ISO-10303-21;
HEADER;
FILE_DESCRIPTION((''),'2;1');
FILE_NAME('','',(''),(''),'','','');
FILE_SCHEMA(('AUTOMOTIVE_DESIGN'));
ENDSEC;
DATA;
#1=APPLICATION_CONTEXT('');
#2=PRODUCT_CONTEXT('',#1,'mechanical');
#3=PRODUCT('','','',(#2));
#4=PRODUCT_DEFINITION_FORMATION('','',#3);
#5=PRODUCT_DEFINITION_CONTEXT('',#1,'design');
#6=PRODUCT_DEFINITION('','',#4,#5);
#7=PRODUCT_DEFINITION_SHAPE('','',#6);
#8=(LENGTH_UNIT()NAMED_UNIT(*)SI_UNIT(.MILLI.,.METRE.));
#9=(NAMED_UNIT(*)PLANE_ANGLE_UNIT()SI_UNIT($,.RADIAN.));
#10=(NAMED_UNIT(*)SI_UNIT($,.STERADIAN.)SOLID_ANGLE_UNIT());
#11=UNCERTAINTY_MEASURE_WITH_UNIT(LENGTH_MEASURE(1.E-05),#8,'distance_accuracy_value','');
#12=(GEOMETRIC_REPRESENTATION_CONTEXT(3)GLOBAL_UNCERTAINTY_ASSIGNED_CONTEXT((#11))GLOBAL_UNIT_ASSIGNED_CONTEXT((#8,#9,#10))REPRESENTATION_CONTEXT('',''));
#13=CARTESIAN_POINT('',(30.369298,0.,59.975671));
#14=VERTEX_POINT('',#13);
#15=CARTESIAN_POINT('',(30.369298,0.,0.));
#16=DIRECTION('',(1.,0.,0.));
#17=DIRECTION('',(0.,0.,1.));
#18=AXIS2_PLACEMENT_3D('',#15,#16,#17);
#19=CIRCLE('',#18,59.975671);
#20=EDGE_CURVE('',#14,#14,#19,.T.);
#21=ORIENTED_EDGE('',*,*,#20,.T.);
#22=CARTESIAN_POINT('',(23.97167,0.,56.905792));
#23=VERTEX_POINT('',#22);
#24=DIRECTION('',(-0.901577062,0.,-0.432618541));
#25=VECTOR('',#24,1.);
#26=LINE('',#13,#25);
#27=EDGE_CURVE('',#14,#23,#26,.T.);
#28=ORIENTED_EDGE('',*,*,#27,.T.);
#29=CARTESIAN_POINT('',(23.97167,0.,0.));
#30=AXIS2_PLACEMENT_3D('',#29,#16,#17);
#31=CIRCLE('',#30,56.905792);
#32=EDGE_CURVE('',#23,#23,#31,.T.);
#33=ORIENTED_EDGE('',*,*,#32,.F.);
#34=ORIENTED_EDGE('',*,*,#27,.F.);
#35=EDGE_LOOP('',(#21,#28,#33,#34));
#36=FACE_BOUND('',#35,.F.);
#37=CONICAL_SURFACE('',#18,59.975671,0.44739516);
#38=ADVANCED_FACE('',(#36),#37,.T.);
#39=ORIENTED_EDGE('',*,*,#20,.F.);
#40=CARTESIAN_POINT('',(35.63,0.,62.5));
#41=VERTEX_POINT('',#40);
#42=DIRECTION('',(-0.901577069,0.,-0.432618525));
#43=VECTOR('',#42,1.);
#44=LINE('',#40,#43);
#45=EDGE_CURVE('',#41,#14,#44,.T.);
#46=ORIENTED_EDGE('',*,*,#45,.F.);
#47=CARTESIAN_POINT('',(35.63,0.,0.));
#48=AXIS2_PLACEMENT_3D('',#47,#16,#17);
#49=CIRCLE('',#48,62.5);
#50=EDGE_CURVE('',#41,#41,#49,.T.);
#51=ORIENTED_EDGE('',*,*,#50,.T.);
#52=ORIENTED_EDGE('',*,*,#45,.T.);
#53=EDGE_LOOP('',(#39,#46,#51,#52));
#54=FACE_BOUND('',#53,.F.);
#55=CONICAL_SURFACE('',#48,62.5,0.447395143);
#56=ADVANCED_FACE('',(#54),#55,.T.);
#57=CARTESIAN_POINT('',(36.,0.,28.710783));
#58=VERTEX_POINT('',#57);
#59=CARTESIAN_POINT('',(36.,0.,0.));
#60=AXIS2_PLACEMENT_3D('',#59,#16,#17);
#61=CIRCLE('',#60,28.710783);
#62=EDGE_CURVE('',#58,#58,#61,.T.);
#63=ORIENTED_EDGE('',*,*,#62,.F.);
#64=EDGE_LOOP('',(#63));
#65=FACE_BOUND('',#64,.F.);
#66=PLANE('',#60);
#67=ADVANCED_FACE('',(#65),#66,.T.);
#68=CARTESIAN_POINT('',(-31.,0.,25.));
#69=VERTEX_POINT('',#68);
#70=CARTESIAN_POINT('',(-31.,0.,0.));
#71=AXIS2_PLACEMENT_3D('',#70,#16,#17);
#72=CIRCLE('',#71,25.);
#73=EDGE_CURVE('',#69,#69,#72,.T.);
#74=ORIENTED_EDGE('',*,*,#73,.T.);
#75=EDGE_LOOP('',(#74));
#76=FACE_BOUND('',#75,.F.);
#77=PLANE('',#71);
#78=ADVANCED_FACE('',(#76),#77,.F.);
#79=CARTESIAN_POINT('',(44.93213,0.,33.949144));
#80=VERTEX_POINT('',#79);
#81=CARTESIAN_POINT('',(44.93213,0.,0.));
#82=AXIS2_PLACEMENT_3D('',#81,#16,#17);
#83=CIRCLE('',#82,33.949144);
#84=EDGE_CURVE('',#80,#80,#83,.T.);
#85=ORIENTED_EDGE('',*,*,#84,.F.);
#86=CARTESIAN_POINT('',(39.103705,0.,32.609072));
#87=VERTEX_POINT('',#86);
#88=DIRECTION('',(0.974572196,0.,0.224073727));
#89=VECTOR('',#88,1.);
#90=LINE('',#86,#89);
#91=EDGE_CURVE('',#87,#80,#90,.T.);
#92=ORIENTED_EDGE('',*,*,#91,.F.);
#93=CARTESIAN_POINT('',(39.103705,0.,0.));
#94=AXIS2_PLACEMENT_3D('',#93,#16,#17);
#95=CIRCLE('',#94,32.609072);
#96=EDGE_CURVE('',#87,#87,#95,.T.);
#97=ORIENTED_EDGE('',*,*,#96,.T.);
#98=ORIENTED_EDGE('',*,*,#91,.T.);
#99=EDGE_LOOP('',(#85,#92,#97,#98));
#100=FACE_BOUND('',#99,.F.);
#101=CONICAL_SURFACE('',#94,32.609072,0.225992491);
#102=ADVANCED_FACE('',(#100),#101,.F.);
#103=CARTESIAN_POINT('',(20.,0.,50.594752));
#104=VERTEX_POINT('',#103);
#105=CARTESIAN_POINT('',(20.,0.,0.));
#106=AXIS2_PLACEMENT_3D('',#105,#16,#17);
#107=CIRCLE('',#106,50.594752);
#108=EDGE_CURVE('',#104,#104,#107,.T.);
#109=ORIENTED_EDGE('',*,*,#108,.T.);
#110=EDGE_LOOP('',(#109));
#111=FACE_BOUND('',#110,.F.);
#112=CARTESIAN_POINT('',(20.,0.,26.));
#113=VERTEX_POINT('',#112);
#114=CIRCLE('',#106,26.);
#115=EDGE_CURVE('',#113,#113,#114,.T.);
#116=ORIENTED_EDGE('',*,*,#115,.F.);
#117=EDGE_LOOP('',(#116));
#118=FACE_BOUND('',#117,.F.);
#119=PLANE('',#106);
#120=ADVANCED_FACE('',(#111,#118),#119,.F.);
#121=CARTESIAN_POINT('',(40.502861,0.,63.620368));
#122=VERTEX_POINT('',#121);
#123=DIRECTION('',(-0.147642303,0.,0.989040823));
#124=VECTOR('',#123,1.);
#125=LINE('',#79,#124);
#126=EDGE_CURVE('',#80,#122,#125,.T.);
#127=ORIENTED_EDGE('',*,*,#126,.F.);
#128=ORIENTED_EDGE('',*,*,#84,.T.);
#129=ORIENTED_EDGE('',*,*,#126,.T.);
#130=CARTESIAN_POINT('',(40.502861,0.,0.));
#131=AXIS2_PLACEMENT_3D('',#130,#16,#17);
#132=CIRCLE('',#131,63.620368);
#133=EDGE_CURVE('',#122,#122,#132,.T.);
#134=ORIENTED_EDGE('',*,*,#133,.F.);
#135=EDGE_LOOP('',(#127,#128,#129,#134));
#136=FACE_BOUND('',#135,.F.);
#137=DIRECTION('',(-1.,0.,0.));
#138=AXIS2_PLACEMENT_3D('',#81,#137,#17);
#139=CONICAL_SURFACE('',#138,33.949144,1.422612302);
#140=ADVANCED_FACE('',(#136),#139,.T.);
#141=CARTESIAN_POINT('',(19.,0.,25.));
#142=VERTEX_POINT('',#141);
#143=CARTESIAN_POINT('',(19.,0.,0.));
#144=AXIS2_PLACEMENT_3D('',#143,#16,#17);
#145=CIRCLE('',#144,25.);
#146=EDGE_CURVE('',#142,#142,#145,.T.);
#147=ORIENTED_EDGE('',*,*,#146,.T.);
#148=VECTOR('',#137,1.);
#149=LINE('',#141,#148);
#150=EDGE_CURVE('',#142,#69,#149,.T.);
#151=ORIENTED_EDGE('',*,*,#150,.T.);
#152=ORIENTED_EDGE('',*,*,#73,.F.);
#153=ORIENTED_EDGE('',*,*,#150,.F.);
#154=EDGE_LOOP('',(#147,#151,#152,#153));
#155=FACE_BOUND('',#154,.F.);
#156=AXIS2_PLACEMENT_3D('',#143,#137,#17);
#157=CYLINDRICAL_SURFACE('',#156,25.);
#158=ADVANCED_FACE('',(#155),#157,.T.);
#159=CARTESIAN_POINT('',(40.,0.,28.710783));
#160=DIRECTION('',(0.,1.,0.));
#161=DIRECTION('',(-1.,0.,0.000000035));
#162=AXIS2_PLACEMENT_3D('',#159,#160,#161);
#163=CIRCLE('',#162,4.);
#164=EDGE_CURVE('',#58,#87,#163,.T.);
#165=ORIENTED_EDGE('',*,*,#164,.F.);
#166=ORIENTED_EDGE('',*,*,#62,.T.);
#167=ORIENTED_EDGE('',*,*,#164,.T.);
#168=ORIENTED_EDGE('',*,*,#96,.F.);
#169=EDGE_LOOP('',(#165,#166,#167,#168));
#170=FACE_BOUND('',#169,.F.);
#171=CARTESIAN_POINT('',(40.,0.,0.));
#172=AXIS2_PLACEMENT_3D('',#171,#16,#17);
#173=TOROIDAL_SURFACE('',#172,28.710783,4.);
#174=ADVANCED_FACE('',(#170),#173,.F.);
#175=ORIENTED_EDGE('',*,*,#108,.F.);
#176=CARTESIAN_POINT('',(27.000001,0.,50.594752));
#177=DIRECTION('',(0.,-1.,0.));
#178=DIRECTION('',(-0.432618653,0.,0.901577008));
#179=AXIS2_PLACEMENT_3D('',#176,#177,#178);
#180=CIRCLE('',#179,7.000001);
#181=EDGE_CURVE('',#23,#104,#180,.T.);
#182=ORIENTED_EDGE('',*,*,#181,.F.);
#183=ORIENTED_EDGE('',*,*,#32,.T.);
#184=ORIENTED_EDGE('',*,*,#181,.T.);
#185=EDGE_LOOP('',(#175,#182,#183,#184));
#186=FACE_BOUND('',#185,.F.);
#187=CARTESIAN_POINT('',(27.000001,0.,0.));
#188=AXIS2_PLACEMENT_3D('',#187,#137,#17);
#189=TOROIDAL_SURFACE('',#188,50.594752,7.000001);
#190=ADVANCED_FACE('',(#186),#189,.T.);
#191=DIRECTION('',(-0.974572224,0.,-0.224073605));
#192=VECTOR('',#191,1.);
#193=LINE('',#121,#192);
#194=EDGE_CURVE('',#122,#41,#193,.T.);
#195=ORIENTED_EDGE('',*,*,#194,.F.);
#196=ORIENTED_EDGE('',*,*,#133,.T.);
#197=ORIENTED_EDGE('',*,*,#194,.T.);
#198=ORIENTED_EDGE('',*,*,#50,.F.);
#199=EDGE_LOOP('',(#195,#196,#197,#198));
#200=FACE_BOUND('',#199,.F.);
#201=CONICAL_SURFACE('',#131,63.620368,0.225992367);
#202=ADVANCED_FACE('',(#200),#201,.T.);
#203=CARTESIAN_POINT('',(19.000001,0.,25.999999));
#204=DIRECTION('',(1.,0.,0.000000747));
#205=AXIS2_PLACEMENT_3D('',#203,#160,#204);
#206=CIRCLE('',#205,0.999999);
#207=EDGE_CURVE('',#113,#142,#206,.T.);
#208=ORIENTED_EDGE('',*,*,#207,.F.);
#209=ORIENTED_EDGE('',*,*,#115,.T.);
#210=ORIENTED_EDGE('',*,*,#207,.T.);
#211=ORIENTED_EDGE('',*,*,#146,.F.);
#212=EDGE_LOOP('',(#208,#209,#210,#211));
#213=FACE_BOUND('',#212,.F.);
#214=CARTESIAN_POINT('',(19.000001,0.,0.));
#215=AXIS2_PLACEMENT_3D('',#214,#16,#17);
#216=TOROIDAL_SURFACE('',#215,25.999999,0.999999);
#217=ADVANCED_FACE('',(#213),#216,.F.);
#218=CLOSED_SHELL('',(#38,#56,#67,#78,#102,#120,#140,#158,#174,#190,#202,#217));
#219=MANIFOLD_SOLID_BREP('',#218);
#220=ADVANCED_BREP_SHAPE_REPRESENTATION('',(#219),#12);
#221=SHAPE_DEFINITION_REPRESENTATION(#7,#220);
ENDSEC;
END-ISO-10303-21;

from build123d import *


with BuildPart() as f1:
    # F0 (on Front) → F1 (revolve)
    with BuildSketch(Plane.XZ):
        with BuildLine():
            Line((20, 50.594752), (20, 26))
            ThreePointArc((20, 26), (19.707107, 25.292893), (19, 25))
            Line((19, 25), (-31, 25))
            Line((-31, 25), (-31, 0))
            Line((-31, 0), (36, 0))
            Line((36, 0), (36, 28.710783))
            ThreePointArc((36, 28.710783), (36.870689, 31.202251), (39.103705, 32.609072))
            Line((39.103705, 32.609072), (44.93213, 33.949144))
            Line((44.93213, 33.949144), (40.502861, 63.620368))
            Line((40.502861, 63.620368), (35.63, 62.5))
            Line((35.63, 62.5), (30.369298, 59.975671))
            Line((30.369298, 59.975671), (23.97167, 56.905792))
            ThreePointArc((23.97167, 56.905792), (21.075546, 54.323136), (20, 50.594752))
        make_face()
    revolve(axis=Axis((2.5, 0, 0), (1, 0, 0)))


solid = f1.part
